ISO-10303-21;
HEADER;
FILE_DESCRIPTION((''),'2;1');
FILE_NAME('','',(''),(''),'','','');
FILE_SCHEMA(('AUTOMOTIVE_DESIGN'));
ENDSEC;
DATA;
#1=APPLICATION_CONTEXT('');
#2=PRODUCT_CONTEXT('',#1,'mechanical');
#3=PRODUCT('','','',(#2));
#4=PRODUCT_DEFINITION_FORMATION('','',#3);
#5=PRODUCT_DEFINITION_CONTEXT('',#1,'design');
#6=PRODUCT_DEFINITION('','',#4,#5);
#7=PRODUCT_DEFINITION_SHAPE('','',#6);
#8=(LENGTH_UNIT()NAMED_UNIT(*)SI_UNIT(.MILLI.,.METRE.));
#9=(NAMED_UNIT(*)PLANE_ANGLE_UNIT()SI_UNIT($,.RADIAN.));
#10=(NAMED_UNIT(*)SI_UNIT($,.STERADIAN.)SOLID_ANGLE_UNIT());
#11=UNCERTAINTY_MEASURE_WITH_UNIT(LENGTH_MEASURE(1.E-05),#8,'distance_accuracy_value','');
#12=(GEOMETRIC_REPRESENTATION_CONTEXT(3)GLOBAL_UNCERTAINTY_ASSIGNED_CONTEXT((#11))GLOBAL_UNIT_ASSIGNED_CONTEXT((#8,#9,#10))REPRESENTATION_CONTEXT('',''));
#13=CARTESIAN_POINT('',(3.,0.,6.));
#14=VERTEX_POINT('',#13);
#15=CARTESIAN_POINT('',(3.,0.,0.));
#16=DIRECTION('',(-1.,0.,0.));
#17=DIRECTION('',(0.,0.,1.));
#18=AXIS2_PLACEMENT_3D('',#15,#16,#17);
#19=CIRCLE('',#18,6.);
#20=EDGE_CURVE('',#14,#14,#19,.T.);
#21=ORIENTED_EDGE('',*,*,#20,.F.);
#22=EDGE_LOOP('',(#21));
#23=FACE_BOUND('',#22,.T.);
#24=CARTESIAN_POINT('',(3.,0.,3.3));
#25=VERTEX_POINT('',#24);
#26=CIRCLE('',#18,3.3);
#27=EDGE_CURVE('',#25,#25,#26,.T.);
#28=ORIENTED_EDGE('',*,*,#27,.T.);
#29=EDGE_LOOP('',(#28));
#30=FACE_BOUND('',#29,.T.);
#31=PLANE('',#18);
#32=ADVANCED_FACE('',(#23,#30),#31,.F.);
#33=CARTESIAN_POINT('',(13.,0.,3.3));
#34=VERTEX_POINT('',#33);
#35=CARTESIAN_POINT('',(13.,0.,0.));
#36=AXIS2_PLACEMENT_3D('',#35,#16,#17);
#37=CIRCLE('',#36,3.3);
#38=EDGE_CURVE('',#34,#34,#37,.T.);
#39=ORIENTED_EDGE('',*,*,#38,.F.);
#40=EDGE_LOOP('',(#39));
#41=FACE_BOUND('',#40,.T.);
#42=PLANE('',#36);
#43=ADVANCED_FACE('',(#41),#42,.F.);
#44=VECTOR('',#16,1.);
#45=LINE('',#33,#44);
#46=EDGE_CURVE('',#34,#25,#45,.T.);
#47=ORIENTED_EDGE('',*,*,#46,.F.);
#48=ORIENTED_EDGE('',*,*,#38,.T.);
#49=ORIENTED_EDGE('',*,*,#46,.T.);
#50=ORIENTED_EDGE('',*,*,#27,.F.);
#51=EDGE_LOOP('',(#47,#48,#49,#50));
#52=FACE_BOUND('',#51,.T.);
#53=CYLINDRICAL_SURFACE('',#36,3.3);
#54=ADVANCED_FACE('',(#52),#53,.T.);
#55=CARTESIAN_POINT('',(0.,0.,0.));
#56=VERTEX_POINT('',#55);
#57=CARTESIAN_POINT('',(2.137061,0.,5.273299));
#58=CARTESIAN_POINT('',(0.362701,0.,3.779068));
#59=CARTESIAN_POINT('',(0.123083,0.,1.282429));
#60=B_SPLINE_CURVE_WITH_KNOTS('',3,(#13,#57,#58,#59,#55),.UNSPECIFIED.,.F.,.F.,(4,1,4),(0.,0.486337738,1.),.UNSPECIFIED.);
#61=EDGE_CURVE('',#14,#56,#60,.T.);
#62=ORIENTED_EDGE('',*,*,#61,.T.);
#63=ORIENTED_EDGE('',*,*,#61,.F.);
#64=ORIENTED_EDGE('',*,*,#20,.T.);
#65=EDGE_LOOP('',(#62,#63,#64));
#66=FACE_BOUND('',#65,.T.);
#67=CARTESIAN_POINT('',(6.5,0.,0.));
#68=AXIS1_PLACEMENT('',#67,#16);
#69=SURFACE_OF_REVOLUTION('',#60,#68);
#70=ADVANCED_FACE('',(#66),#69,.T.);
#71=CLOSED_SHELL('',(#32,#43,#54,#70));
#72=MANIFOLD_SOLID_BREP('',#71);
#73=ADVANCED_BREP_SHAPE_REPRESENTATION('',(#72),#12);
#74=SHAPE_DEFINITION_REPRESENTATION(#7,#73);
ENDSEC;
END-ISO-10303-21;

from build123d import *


with BuildPart() as f1:
    # F0 (on Front) → F1 (revolve)
    with BuildSketch(Plane.XZ):
        with BuildLine():
            Line((3, 3.3), (3, 6))
            add(Edge.make_bspline(
                [(3, 6), (2.1370614565, 5.2732989583), (0.3627008093, 3.7790677173), (0.1230827529, 1.2824290601), (0, 0)],
                knots=[0, 0, 0, 0, 0.486337738, 1, 1, 1, 1], degree=3))
            Line((0, 0), (13, 0))
            Line((13, 0), (13, 3.3))
            Line((13, 3.3), (3, 3.3))
        make_face()
    revolve(axis=Axis((6.5, 0, 0), (-1, 0, 0)))


solid = f1.part
